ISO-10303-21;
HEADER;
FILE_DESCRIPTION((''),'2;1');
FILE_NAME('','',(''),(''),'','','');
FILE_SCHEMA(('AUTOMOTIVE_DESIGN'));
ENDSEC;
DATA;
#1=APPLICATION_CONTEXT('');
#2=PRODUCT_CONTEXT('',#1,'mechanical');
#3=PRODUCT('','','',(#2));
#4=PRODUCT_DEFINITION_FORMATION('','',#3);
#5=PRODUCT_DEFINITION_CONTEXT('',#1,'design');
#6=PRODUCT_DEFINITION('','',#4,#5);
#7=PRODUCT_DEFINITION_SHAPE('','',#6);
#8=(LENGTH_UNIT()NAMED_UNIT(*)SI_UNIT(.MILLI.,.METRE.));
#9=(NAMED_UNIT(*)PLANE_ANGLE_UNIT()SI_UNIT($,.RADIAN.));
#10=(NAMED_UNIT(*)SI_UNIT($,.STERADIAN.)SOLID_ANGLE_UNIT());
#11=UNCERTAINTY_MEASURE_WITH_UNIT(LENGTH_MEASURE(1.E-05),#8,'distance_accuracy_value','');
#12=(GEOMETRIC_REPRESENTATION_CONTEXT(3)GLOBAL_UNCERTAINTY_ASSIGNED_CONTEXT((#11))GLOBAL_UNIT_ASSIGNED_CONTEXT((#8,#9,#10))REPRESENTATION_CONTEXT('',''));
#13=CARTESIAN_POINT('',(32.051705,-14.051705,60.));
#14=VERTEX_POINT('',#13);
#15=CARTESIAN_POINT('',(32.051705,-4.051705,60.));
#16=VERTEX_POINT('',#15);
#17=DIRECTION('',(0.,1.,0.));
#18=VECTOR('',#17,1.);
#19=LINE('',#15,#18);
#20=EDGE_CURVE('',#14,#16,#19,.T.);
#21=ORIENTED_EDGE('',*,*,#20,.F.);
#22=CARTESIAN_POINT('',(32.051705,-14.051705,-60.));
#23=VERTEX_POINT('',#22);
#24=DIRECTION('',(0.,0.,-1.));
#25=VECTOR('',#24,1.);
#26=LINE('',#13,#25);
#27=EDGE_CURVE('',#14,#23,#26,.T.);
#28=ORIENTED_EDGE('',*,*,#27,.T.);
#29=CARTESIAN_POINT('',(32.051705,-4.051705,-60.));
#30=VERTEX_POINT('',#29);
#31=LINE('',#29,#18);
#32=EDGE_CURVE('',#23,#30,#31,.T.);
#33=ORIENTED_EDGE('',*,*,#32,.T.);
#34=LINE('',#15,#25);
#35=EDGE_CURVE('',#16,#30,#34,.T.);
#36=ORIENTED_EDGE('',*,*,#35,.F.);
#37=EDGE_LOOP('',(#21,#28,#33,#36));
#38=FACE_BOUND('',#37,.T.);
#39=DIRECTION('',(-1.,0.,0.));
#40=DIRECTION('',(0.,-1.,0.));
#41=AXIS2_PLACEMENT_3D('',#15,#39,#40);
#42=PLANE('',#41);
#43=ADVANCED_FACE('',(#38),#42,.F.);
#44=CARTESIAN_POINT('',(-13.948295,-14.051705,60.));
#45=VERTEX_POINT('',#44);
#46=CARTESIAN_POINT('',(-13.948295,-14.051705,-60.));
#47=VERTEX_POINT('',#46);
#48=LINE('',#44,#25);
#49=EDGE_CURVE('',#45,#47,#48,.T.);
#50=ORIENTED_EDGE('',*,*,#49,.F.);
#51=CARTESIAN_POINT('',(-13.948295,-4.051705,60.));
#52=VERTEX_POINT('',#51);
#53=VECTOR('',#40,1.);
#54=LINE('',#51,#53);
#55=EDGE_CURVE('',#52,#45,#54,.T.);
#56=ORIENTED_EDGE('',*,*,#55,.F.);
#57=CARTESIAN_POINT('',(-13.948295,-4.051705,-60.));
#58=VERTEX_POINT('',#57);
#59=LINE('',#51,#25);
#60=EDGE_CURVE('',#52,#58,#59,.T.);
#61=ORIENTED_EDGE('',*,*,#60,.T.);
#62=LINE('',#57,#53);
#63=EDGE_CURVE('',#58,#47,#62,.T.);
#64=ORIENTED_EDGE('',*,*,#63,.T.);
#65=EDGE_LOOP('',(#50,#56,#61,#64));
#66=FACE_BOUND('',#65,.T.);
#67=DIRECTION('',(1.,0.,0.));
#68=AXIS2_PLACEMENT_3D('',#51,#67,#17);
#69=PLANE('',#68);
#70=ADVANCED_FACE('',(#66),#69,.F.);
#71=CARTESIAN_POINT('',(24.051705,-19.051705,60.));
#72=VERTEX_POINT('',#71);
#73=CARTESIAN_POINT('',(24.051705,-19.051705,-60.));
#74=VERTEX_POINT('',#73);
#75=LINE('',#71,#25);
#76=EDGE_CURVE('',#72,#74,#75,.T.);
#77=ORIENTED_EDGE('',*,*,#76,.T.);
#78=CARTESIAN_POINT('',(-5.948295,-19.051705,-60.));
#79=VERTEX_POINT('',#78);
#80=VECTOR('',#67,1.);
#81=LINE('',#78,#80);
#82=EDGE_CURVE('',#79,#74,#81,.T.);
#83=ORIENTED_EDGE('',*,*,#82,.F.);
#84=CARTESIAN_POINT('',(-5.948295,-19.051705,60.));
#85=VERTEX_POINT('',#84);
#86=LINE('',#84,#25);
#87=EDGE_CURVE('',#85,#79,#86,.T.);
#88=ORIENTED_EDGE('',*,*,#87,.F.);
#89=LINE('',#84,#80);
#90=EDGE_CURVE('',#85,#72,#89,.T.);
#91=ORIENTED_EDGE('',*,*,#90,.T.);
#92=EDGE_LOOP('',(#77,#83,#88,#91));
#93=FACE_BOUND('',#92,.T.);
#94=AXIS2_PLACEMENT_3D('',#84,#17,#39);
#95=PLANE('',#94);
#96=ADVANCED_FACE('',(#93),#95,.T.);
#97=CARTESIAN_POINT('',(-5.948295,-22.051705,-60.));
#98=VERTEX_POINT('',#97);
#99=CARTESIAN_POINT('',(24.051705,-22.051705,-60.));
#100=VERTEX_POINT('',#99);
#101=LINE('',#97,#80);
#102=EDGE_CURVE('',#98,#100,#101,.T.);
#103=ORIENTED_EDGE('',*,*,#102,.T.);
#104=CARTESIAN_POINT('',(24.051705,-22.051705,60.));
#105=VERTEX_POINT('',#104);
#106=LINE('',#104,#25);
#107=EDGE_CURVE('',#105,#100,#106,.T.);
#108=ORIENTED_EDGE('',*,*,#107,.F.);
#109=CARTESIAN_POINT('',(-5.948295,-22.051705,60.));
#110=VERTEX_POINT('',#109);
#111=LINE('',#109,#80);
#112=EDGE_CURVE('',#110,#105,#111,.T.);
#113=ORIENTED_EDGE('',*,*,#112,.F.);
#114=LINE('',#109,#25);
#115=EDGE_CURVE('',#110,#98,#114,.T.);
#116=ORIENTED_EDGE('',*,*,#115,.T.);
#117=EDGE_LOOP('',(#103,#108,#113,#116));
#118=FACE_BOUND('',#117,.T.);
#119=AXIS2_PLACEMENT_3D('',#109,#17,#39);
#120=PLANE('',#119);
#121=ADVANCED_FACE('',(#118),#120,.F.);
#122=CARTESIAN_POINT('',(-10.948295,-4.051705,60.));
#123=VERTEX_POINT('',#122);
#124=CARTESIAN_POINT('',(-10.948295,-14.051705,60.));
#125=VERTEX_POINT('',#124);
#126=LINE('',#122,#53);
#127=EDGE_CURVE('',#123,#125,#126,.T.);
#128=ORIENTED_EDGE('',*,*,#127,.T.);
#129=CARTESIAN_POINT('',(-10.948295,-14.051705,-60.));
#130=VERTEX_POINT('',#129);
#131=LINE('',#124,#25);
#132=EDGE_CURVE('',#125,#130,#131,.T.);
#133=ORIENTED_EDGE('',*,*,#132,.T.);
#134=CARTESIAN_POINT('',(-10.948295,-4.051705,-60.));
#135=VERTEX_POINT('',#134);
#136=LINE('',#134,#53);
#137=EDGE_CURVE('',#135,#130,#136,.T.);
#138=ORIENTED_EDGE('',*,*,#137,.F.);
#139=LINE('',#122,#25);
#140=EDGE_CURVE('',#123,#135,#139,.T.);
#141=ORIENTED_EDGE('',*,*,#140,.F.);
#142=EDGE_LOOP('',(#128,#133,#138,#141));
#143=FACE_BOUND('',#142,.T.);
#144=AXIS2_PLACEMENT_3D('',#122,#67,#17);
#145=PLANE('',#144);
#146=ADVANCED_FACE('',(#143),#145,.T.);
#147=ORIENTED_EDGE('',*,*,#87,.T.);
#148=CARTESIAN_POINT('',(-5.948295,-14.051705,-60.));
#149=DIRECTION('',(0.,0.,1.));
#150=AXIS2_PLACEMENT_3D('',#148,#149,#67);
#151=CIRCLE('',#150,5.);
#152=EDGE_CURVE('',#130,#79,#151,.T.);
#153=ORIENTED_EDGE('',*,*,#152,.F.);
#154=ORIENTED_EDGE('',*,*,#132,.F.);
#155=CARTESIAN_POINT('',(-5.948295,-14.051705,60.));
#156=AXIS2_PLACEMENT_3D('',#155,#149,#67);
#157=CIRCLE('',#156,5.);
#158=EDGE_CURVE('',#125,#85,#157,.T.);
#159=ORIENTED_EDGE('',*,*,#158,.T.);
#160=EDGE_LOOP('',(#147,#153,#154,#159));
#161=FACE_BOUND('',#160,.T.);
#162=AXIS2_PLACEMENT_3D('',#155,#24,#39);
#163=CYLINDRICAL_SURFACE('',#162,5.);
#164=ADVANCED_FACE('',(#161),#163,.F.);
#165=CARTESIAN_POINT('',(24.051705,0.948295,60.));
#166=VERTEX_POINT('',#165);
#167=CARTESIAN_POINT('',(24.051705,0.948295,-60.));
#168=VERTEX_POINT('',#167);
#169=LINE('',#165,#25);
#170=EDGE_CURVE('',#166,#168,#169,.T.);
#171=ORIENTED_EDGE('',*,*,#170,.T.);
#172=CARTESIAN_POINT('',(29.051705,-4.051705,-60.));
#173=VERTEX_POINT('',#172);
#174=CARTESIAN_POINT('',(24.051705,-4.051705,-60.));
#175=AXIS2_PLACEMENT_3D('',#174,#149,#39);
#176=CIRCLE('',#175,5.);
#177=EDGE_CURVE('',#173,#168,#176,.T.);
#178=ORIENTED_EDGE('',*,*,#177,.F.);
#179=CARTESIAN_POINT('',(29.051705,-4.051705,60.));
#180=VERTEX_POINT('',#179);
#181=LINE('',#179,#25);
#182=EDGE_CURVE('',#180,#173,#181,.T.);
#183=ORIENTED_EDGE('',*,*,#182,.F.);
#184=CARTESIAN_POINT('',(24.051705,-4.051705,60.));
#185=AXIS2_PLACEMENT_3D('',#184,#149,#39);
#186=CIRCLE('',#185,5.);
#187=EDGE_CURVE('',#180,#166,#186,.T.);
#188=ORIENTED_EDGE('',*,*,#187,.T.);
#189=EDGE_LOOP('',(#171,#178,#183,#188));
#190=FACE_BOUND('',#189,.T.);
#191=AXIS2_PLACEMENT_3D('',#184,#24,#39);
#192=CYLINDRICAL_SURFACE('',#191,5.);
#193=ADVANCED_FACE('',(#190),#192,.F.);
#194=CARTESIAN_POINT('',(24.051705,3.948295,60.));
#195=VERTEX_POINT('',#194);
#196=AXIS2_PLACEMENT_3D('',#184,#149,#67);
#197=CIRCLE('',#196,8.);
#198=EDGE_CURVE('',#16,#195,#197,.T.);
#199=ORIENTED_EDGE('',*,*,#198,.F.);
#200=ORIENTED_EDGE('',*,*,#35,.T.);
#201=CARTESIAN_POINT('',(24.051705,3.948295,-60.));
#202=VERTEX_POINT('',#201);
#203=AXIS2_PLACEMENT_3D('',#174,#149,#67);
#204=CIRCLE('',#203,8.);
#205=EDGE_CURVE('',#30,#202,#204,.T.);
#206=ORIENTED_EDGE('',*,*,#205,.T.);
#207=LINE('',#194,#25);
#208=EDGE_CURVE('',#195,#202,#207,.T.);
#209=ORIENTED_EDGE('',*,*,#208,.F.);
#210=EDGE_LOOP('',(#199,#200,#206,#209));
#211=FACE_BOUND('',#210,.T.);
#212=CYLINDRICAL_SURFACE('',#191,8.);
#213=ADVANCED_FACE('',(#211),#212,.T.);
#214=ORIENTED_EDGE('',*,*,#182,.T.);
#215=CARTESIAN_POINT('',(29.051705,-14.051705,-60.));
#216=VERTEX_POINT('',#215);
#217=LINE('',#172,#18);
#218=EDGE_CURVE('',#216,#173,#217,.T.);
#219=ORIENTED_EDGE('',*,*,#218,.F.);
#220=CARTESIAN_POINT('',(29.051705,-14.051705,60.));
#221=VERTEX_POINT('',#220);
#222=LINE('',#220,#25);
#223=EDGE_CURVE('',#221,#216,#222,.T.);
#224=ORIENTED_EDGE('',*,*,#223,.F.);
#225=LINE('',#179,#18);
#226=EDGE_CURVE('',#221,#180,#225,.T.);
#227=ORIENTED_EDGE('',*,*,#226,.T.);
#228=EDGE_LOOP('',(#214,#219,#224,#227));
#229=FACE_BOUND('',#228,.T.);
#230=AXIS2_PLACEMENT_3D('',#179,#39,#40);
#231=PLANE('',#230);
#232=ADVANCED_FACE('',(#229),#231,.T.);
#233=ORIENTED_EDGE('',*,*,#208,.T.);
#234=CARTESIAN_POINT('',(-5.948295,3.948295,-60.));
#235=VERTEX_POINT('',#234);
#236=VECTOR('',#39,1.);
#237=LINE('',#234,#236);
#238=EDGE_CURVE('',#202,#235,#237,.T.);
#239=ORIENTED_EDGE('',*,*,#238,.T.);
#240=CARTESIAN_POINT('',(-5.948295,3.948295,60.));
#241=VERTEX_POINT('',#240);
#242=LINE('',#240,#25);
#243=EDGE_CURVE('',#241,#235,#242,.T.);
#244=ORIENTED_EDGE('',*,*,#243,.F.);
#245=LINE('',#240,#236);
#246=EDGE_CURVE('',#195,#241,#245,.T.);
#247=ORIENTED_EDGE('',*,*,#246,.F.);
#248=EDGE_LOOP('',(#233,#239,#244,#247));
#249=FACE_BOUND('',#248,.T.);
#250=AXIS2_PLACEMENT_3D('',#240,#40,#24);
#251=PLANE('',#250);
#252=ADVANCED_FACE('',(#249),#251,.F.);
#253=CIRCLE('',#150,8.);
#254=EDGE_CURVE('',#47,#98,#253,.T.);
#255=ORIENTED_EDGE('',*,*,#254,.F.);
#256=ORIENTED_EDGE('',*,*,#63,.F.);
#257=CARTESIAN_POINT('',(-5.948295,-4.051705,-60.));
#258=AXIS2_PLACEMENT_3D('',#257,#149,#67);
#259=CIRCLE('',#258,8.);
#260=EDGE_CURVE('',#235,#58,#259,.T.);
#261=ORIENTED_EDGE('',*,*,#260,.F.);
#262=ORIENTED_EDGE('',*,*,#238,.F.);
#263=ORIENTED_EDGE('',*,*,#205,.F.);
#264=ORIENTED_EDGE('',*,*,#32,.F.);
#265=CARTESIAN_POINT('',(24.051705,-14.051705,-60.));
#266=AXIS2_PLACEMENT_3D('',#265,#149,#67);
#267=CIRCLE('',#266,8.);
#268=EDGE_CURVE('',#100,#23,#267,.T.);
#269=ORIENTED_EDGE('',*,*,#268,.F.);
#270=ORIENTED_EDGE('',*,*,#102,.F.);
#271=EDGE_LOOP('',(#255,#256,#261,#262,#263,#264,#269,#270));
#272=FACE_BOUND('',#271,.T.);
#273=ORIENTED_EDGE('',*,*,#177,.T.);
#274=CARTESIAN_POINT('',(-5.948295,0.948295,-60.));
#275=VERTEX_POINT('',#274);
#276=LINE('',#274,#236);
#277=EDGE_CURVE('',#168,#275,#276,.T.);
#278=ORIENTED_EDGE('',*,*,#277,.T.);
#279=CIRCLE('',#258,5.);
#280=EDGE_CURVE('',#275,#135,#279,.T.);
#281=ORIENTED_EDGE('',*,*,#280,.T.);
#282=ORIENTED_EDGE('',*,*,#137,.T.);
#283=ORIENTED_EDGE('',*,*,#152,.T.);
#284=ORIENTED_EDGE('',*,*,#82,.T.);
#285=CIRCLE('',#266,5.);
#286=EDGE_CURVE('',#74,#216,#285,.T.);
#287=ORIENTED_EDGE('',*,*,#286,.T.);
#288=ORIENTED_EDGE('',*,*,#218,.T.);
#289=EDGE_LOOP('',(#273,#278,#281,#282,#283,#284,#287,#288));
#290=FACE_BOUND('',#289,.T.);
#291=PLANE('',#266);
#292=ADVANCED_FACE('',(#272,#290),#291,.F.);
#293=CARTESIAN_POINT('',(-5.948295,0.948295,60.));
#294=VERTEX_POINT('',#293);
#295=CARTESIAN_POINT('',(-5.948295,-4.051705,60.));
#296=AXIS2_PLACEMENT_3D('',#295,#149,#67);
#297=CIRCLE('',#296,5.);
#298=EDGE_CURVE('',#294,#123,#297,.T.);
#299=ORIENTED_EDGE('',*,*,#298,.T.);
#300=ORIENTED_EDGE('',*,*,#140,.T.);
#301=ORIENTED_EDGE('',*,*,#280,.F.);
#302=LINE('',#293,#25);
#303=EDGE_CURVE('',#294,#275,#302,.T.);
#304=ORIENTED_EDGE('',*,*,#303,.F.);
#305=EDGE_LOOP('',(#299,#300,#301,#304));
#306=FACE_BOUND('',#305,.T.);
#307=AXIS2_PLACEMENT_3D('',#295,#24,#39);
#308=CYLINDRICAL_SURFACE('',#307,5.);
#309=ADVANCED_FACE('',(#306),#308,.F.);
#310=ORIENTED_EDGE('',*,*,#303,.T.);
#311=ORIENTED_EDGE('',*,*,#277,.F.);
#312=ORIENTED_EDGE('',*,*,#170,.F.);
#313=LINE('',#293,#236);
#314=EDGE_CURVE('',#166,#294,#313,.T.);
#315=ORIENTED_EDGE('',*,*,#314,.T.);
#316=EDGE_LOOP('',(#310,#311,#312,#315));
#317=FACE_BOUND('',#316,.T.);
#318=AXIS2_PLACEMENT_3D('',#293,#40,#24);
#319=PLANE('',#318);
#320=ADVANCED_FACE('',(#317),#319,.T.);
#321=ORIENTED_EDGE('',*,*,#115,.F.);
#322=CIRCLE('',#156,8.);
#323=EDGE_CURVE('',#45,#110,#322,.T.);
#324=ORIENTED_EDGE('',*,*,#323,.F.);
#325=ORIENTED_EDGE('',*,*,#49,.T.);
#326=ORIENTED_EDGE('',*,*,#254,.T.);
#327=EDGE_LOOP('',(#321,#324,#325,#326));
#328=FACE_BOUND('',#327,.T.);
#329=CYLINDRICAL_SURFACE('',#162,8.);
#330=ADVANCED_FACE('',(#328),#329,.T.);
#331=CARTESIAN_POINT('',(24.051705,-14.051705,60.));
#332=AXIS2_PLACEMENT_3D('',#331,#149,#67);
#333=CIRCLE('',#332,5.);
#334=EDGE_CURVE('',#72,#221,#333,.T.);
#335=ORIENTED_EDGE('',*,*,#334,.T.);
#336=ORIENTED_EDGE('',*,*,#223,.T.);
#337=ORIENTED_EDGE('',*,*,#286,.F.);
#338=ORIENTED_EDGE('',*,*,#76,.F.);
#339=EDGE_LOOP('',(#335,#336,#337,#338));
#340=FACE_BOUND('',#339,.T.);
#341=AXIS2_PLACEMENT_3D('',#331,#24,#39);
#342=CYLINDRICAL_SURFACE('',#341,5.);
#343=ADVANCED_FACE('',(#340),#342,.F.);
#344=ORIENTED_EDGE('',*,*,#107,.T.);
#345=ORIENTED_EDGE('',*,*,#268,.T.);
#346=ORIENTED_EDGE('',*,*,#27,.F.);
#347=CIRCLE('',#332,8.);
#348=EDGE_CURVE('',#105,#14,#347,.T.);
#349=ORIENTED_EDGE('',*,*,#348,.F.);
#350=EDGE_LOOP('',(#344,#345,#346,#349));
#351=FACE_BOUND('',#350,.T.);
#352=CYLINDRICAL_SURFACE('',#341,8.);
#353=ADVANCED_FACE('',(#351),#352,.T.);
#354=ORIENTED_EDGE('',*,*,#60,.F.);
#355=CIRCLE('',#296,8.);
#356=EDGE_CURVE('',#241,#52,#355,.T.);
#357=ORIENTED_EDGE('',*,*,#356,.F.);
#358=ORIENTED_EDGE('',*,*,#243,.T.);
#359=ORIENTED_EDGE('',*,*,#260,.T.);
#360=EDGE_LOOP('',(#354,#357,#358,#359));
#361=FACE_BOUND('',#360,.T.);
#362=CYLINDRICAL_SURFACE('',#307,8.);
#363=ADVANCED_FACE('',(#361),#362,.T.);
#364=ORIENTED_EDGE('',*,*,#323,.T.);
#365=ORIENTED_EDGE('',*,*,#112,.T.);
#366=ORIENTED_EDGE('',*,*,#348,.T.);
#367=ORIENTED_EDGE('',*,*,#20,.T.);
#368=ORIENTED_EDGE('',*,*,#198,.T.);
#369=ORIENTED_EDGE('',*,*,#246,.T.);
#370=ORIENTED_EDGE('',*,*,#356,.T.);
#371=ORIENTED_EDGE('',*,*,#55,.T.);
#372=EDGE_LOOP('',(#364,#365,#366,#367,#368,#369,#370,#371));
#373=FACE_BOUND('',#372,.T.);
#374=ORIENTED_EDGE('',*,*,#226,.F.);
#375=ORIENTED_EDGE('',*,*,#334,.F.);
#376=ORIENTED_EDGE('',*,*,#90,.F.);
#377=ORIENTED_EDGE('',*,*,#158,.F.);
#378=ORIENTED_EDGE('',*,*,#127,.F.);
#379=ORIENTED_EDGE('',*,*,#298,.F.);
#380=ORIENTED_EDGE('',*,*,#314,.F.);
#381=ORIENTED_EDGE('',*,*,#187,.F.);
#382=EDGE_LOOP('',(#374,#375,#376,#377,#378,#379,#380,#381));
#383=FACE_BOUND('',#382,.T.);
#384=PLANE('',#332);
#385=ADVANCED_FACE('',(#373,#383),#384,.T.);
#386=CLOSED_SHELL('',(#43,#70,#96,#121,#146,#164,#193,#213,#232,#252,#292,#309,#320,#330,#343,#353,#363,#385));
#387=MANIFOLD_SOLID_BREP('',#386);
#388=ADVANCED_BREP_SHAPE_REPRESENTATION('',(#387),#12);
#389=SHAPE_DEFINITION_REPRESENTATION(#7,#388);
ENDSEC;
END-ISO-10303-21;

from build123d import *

# Parameters (mm, degrees)
EXTRUDE_THIN1_DEPTH = 60


with BuildPart() as part:
    # Sketch1 → Extrude-Thin1 (new body, symmetric)
    with BuildSketch(Plane.XY):
        with BuildLine():
            Line((32.051705101, -4.051705101), (32.051705101, -14.051705101))
            ThreePointArc((32.051705101, -14.051705101), (29.70855935, -19.70855935), (24.051705101, -22.051705101))
            Line((24.051705101, -22.051705101), (-5.948294899, -22.051705101))
            ThreePointArc((-5.948294899, -22.051705101), (-11.605149149, -19.70855935), (-13.948294899, -14.051705101))
            Line((-13.948294899, -14.051705101), (-13.948294899, -4.051705101))
            ThreePointArc((-13.948294899, -4.051705101), (-11.605149149, 1.605149149), (-5.948294899, 3.948294899))
            Line((-5.948294899, 3.948294899), (24.051705101, 3.948294899))
            ThreePointArc((24.051705101, 3.948294899), (29.70855935, 1.605149149), (32.051705101, -4.051705101))
        make_face()
        with BuildLine():
            Line((29.051705101, -4.051705101), (29.051705101, -14.051705101))
            ThreePointArc((29.051705101, -14.051705101), (27.587239007, -17.587239007), (24.051705101, -19.051705101))
            Line((24.051705101, -19.051705101), (-5.948294899, -19.051705101))
            ThreePointArc((-5.948294899, -19.051705101), (-9.483828805, -17.587239007), (-10.948294899, -14.051705101))
            Line((-10.948294899, -14.051705101), (-10.948294899, -4.051705101))
            ThreePointArc((-10.948294899, -4.051705101), (-9.483828805, -0.516171195), (-5.948294899, 0.948294899))
            Line((-5.948294899, 0.948294899), (24.051705101, 0.948294899))
            ThreePointArc((24.051705101, 0.948294899), (27.587239007, -0.516171195), (29.051705101, -4.051705101))
        make_face(mode=Mode.SUBTRACT)
    extrude(amount=EXTRUDE_THIN1_DEPTH, both=True)


solid = part.part
